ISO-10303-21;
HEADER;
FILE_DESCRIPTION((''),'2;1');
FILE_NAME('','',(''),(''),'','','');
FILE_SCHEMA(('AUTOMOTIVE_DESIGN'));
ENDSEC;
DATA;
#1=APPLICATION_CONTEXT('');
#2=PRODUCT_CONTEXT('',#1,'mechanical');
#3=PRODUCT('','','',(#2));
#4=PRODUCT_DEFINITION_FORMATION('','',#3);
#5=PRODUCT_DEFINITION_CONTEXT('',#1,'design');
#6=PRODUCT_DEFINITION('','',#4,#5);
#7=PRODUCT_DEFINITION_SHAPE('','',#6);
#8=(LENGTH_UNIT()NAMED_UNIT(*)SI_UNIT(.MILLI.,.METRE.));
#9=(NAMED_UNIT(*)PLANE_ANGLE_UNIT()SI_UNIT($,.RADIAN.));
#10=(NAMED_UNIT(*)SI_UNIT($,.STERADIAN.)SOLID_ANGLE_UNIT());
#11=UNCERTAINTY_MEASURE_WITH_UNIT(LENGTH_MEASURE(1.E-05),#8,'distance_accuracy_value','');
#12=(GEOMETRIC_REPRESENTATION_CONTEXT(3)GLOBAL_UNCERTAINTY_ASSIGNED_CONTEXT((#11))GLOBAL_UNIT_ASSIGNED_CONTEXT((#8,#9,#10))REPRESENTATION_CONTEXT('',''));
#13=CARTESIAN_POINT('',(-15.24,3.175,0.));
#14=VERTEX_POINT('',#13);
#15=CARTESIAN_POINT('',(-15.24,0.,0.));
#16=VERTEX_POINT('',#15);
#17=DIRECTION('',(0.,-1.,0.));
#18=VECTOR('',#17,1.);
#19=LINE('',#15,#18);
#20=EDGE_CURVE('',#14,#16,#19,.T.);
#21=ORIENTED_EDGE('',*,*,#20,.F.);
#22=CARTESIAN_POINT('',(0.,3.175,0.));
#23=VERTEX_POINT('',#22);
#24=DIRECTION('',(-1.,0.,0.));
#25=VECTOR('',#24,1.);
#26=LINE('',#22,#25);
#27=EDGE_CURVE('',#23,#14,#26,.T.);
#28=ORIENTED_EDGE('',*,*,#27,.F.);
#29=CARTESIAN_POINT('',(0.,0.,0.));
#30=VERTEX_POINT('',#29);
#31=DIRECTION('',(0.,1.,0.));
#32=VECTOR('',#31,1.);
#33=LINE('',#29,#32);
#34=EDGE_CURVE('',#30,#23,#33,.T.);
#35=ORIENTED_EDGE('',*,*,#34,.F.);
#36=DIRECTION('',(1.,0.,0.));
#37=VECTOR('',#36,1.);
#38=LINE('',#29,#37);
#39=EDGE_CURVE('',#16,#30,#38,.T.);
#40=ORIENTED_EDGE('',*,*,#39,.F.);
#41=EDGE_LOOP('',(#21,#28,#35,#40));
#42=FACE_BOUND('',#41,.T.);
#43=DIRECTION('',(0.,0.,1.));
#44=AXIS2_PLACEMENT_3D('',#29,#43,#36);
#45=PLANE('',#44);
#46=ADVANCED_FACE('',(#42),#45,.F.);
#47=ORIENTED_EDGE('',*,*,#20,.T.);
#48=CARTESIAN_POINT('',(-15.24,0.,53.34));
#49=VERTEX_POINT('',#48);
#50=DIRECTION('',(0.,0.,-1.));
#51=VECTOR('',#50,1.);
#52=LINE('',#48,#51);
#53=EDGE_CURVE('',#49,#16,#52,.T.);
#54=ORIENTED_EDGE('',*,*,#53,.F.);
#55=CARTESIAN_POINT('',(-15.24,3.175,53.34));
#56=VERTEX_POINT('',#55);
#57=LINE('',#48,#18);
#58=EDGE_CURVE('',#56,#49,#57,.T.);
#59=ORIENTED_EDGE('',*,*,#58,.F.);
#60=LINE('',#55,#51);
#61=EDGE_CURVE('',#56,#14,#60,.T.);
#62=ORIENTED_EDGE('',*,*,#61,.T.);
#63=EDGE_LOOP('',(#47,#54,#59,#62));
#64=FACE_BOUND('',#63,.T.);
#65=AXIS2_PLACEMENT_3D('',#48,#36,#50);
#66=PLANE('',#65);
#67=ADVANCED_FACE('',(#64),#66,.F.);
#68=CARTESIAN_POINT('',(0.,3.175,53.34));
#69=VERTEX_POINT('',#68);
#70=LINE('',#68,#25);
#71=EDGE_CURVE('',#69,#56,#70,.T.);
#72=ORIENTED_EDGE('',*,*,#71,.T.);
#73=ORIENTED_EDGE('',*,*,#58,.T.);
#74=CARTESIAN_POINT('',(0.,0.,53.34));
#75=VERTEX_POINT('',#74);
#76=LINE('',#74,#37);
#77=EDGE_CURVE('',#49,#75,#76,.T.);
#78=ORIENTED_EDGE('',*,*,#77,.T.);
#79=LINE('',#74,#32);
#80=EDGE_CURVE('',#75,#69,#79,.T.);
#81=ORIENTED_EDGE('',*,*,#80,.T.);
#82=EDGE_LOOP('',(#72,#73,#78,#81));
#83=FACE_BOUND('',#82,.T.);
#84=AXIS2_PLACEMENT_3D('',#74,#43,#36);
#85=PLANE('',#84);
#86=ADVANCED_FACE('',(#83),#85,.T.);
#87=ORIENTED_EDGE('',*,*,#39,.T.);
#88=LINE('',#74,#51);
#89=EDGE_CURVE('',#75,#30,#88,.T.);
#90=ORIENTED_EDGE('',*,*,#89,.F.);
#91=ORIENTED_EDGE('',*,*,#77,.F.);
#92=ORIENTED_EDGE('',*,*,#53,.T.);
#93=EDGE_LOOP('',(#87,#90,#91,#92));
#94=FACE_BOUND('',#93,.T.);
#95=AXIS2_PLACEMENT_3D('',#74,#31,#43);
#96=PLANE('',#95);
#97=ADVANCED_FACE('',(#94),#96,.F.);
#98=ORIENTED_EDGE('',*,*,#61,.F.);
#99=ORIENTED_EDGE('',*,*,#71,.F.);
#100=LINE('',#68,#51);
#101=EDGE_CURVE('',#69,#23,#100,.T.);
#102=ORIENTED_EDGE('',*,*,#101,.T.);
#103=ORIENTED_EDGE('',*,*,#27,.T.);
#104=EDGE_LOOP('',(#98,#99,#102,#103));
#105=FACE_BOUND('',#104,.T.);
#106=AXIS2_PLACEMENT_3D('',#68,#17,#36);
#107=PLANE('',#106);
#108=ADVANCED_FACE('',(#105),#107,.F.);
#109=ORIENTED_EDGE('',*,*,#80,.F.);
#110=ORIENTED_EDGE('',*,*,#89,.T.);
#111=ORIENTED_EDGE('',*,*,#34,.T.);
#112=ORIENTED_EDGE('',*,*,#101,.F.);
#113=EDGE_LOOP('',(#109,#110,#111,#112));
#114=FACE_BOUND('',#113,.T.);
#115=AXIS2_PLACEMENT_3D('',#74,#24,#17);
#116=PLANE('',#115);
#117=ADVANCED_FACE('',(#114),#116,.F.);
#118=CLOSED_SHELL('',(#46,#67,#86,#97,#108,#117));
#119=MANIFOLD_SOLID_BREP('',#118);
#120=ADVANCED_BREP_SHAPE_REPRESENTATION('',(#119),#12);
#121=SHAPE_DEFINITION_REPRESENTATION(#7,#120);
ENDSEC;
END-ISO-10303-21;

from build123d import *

# Parameters (mm, degrees)
SKETCH1_W           = 15.24
SKETCH1_H           = 3.175
BOSS_EXTRUDE1_DEPTH = 53.34


with BuildPart() as part:
    # Sketch1 → Boss-Extrude1 (new body)
    with BuildSketch(Plane.XY):
        with Locations((-7.62, 1.5875)):
            Rectangle(SKETCH1_W, SKETCH1_H)
    extrude(amount=BOSS_EXTRUDE1_DEPTH)


solid = part.part
